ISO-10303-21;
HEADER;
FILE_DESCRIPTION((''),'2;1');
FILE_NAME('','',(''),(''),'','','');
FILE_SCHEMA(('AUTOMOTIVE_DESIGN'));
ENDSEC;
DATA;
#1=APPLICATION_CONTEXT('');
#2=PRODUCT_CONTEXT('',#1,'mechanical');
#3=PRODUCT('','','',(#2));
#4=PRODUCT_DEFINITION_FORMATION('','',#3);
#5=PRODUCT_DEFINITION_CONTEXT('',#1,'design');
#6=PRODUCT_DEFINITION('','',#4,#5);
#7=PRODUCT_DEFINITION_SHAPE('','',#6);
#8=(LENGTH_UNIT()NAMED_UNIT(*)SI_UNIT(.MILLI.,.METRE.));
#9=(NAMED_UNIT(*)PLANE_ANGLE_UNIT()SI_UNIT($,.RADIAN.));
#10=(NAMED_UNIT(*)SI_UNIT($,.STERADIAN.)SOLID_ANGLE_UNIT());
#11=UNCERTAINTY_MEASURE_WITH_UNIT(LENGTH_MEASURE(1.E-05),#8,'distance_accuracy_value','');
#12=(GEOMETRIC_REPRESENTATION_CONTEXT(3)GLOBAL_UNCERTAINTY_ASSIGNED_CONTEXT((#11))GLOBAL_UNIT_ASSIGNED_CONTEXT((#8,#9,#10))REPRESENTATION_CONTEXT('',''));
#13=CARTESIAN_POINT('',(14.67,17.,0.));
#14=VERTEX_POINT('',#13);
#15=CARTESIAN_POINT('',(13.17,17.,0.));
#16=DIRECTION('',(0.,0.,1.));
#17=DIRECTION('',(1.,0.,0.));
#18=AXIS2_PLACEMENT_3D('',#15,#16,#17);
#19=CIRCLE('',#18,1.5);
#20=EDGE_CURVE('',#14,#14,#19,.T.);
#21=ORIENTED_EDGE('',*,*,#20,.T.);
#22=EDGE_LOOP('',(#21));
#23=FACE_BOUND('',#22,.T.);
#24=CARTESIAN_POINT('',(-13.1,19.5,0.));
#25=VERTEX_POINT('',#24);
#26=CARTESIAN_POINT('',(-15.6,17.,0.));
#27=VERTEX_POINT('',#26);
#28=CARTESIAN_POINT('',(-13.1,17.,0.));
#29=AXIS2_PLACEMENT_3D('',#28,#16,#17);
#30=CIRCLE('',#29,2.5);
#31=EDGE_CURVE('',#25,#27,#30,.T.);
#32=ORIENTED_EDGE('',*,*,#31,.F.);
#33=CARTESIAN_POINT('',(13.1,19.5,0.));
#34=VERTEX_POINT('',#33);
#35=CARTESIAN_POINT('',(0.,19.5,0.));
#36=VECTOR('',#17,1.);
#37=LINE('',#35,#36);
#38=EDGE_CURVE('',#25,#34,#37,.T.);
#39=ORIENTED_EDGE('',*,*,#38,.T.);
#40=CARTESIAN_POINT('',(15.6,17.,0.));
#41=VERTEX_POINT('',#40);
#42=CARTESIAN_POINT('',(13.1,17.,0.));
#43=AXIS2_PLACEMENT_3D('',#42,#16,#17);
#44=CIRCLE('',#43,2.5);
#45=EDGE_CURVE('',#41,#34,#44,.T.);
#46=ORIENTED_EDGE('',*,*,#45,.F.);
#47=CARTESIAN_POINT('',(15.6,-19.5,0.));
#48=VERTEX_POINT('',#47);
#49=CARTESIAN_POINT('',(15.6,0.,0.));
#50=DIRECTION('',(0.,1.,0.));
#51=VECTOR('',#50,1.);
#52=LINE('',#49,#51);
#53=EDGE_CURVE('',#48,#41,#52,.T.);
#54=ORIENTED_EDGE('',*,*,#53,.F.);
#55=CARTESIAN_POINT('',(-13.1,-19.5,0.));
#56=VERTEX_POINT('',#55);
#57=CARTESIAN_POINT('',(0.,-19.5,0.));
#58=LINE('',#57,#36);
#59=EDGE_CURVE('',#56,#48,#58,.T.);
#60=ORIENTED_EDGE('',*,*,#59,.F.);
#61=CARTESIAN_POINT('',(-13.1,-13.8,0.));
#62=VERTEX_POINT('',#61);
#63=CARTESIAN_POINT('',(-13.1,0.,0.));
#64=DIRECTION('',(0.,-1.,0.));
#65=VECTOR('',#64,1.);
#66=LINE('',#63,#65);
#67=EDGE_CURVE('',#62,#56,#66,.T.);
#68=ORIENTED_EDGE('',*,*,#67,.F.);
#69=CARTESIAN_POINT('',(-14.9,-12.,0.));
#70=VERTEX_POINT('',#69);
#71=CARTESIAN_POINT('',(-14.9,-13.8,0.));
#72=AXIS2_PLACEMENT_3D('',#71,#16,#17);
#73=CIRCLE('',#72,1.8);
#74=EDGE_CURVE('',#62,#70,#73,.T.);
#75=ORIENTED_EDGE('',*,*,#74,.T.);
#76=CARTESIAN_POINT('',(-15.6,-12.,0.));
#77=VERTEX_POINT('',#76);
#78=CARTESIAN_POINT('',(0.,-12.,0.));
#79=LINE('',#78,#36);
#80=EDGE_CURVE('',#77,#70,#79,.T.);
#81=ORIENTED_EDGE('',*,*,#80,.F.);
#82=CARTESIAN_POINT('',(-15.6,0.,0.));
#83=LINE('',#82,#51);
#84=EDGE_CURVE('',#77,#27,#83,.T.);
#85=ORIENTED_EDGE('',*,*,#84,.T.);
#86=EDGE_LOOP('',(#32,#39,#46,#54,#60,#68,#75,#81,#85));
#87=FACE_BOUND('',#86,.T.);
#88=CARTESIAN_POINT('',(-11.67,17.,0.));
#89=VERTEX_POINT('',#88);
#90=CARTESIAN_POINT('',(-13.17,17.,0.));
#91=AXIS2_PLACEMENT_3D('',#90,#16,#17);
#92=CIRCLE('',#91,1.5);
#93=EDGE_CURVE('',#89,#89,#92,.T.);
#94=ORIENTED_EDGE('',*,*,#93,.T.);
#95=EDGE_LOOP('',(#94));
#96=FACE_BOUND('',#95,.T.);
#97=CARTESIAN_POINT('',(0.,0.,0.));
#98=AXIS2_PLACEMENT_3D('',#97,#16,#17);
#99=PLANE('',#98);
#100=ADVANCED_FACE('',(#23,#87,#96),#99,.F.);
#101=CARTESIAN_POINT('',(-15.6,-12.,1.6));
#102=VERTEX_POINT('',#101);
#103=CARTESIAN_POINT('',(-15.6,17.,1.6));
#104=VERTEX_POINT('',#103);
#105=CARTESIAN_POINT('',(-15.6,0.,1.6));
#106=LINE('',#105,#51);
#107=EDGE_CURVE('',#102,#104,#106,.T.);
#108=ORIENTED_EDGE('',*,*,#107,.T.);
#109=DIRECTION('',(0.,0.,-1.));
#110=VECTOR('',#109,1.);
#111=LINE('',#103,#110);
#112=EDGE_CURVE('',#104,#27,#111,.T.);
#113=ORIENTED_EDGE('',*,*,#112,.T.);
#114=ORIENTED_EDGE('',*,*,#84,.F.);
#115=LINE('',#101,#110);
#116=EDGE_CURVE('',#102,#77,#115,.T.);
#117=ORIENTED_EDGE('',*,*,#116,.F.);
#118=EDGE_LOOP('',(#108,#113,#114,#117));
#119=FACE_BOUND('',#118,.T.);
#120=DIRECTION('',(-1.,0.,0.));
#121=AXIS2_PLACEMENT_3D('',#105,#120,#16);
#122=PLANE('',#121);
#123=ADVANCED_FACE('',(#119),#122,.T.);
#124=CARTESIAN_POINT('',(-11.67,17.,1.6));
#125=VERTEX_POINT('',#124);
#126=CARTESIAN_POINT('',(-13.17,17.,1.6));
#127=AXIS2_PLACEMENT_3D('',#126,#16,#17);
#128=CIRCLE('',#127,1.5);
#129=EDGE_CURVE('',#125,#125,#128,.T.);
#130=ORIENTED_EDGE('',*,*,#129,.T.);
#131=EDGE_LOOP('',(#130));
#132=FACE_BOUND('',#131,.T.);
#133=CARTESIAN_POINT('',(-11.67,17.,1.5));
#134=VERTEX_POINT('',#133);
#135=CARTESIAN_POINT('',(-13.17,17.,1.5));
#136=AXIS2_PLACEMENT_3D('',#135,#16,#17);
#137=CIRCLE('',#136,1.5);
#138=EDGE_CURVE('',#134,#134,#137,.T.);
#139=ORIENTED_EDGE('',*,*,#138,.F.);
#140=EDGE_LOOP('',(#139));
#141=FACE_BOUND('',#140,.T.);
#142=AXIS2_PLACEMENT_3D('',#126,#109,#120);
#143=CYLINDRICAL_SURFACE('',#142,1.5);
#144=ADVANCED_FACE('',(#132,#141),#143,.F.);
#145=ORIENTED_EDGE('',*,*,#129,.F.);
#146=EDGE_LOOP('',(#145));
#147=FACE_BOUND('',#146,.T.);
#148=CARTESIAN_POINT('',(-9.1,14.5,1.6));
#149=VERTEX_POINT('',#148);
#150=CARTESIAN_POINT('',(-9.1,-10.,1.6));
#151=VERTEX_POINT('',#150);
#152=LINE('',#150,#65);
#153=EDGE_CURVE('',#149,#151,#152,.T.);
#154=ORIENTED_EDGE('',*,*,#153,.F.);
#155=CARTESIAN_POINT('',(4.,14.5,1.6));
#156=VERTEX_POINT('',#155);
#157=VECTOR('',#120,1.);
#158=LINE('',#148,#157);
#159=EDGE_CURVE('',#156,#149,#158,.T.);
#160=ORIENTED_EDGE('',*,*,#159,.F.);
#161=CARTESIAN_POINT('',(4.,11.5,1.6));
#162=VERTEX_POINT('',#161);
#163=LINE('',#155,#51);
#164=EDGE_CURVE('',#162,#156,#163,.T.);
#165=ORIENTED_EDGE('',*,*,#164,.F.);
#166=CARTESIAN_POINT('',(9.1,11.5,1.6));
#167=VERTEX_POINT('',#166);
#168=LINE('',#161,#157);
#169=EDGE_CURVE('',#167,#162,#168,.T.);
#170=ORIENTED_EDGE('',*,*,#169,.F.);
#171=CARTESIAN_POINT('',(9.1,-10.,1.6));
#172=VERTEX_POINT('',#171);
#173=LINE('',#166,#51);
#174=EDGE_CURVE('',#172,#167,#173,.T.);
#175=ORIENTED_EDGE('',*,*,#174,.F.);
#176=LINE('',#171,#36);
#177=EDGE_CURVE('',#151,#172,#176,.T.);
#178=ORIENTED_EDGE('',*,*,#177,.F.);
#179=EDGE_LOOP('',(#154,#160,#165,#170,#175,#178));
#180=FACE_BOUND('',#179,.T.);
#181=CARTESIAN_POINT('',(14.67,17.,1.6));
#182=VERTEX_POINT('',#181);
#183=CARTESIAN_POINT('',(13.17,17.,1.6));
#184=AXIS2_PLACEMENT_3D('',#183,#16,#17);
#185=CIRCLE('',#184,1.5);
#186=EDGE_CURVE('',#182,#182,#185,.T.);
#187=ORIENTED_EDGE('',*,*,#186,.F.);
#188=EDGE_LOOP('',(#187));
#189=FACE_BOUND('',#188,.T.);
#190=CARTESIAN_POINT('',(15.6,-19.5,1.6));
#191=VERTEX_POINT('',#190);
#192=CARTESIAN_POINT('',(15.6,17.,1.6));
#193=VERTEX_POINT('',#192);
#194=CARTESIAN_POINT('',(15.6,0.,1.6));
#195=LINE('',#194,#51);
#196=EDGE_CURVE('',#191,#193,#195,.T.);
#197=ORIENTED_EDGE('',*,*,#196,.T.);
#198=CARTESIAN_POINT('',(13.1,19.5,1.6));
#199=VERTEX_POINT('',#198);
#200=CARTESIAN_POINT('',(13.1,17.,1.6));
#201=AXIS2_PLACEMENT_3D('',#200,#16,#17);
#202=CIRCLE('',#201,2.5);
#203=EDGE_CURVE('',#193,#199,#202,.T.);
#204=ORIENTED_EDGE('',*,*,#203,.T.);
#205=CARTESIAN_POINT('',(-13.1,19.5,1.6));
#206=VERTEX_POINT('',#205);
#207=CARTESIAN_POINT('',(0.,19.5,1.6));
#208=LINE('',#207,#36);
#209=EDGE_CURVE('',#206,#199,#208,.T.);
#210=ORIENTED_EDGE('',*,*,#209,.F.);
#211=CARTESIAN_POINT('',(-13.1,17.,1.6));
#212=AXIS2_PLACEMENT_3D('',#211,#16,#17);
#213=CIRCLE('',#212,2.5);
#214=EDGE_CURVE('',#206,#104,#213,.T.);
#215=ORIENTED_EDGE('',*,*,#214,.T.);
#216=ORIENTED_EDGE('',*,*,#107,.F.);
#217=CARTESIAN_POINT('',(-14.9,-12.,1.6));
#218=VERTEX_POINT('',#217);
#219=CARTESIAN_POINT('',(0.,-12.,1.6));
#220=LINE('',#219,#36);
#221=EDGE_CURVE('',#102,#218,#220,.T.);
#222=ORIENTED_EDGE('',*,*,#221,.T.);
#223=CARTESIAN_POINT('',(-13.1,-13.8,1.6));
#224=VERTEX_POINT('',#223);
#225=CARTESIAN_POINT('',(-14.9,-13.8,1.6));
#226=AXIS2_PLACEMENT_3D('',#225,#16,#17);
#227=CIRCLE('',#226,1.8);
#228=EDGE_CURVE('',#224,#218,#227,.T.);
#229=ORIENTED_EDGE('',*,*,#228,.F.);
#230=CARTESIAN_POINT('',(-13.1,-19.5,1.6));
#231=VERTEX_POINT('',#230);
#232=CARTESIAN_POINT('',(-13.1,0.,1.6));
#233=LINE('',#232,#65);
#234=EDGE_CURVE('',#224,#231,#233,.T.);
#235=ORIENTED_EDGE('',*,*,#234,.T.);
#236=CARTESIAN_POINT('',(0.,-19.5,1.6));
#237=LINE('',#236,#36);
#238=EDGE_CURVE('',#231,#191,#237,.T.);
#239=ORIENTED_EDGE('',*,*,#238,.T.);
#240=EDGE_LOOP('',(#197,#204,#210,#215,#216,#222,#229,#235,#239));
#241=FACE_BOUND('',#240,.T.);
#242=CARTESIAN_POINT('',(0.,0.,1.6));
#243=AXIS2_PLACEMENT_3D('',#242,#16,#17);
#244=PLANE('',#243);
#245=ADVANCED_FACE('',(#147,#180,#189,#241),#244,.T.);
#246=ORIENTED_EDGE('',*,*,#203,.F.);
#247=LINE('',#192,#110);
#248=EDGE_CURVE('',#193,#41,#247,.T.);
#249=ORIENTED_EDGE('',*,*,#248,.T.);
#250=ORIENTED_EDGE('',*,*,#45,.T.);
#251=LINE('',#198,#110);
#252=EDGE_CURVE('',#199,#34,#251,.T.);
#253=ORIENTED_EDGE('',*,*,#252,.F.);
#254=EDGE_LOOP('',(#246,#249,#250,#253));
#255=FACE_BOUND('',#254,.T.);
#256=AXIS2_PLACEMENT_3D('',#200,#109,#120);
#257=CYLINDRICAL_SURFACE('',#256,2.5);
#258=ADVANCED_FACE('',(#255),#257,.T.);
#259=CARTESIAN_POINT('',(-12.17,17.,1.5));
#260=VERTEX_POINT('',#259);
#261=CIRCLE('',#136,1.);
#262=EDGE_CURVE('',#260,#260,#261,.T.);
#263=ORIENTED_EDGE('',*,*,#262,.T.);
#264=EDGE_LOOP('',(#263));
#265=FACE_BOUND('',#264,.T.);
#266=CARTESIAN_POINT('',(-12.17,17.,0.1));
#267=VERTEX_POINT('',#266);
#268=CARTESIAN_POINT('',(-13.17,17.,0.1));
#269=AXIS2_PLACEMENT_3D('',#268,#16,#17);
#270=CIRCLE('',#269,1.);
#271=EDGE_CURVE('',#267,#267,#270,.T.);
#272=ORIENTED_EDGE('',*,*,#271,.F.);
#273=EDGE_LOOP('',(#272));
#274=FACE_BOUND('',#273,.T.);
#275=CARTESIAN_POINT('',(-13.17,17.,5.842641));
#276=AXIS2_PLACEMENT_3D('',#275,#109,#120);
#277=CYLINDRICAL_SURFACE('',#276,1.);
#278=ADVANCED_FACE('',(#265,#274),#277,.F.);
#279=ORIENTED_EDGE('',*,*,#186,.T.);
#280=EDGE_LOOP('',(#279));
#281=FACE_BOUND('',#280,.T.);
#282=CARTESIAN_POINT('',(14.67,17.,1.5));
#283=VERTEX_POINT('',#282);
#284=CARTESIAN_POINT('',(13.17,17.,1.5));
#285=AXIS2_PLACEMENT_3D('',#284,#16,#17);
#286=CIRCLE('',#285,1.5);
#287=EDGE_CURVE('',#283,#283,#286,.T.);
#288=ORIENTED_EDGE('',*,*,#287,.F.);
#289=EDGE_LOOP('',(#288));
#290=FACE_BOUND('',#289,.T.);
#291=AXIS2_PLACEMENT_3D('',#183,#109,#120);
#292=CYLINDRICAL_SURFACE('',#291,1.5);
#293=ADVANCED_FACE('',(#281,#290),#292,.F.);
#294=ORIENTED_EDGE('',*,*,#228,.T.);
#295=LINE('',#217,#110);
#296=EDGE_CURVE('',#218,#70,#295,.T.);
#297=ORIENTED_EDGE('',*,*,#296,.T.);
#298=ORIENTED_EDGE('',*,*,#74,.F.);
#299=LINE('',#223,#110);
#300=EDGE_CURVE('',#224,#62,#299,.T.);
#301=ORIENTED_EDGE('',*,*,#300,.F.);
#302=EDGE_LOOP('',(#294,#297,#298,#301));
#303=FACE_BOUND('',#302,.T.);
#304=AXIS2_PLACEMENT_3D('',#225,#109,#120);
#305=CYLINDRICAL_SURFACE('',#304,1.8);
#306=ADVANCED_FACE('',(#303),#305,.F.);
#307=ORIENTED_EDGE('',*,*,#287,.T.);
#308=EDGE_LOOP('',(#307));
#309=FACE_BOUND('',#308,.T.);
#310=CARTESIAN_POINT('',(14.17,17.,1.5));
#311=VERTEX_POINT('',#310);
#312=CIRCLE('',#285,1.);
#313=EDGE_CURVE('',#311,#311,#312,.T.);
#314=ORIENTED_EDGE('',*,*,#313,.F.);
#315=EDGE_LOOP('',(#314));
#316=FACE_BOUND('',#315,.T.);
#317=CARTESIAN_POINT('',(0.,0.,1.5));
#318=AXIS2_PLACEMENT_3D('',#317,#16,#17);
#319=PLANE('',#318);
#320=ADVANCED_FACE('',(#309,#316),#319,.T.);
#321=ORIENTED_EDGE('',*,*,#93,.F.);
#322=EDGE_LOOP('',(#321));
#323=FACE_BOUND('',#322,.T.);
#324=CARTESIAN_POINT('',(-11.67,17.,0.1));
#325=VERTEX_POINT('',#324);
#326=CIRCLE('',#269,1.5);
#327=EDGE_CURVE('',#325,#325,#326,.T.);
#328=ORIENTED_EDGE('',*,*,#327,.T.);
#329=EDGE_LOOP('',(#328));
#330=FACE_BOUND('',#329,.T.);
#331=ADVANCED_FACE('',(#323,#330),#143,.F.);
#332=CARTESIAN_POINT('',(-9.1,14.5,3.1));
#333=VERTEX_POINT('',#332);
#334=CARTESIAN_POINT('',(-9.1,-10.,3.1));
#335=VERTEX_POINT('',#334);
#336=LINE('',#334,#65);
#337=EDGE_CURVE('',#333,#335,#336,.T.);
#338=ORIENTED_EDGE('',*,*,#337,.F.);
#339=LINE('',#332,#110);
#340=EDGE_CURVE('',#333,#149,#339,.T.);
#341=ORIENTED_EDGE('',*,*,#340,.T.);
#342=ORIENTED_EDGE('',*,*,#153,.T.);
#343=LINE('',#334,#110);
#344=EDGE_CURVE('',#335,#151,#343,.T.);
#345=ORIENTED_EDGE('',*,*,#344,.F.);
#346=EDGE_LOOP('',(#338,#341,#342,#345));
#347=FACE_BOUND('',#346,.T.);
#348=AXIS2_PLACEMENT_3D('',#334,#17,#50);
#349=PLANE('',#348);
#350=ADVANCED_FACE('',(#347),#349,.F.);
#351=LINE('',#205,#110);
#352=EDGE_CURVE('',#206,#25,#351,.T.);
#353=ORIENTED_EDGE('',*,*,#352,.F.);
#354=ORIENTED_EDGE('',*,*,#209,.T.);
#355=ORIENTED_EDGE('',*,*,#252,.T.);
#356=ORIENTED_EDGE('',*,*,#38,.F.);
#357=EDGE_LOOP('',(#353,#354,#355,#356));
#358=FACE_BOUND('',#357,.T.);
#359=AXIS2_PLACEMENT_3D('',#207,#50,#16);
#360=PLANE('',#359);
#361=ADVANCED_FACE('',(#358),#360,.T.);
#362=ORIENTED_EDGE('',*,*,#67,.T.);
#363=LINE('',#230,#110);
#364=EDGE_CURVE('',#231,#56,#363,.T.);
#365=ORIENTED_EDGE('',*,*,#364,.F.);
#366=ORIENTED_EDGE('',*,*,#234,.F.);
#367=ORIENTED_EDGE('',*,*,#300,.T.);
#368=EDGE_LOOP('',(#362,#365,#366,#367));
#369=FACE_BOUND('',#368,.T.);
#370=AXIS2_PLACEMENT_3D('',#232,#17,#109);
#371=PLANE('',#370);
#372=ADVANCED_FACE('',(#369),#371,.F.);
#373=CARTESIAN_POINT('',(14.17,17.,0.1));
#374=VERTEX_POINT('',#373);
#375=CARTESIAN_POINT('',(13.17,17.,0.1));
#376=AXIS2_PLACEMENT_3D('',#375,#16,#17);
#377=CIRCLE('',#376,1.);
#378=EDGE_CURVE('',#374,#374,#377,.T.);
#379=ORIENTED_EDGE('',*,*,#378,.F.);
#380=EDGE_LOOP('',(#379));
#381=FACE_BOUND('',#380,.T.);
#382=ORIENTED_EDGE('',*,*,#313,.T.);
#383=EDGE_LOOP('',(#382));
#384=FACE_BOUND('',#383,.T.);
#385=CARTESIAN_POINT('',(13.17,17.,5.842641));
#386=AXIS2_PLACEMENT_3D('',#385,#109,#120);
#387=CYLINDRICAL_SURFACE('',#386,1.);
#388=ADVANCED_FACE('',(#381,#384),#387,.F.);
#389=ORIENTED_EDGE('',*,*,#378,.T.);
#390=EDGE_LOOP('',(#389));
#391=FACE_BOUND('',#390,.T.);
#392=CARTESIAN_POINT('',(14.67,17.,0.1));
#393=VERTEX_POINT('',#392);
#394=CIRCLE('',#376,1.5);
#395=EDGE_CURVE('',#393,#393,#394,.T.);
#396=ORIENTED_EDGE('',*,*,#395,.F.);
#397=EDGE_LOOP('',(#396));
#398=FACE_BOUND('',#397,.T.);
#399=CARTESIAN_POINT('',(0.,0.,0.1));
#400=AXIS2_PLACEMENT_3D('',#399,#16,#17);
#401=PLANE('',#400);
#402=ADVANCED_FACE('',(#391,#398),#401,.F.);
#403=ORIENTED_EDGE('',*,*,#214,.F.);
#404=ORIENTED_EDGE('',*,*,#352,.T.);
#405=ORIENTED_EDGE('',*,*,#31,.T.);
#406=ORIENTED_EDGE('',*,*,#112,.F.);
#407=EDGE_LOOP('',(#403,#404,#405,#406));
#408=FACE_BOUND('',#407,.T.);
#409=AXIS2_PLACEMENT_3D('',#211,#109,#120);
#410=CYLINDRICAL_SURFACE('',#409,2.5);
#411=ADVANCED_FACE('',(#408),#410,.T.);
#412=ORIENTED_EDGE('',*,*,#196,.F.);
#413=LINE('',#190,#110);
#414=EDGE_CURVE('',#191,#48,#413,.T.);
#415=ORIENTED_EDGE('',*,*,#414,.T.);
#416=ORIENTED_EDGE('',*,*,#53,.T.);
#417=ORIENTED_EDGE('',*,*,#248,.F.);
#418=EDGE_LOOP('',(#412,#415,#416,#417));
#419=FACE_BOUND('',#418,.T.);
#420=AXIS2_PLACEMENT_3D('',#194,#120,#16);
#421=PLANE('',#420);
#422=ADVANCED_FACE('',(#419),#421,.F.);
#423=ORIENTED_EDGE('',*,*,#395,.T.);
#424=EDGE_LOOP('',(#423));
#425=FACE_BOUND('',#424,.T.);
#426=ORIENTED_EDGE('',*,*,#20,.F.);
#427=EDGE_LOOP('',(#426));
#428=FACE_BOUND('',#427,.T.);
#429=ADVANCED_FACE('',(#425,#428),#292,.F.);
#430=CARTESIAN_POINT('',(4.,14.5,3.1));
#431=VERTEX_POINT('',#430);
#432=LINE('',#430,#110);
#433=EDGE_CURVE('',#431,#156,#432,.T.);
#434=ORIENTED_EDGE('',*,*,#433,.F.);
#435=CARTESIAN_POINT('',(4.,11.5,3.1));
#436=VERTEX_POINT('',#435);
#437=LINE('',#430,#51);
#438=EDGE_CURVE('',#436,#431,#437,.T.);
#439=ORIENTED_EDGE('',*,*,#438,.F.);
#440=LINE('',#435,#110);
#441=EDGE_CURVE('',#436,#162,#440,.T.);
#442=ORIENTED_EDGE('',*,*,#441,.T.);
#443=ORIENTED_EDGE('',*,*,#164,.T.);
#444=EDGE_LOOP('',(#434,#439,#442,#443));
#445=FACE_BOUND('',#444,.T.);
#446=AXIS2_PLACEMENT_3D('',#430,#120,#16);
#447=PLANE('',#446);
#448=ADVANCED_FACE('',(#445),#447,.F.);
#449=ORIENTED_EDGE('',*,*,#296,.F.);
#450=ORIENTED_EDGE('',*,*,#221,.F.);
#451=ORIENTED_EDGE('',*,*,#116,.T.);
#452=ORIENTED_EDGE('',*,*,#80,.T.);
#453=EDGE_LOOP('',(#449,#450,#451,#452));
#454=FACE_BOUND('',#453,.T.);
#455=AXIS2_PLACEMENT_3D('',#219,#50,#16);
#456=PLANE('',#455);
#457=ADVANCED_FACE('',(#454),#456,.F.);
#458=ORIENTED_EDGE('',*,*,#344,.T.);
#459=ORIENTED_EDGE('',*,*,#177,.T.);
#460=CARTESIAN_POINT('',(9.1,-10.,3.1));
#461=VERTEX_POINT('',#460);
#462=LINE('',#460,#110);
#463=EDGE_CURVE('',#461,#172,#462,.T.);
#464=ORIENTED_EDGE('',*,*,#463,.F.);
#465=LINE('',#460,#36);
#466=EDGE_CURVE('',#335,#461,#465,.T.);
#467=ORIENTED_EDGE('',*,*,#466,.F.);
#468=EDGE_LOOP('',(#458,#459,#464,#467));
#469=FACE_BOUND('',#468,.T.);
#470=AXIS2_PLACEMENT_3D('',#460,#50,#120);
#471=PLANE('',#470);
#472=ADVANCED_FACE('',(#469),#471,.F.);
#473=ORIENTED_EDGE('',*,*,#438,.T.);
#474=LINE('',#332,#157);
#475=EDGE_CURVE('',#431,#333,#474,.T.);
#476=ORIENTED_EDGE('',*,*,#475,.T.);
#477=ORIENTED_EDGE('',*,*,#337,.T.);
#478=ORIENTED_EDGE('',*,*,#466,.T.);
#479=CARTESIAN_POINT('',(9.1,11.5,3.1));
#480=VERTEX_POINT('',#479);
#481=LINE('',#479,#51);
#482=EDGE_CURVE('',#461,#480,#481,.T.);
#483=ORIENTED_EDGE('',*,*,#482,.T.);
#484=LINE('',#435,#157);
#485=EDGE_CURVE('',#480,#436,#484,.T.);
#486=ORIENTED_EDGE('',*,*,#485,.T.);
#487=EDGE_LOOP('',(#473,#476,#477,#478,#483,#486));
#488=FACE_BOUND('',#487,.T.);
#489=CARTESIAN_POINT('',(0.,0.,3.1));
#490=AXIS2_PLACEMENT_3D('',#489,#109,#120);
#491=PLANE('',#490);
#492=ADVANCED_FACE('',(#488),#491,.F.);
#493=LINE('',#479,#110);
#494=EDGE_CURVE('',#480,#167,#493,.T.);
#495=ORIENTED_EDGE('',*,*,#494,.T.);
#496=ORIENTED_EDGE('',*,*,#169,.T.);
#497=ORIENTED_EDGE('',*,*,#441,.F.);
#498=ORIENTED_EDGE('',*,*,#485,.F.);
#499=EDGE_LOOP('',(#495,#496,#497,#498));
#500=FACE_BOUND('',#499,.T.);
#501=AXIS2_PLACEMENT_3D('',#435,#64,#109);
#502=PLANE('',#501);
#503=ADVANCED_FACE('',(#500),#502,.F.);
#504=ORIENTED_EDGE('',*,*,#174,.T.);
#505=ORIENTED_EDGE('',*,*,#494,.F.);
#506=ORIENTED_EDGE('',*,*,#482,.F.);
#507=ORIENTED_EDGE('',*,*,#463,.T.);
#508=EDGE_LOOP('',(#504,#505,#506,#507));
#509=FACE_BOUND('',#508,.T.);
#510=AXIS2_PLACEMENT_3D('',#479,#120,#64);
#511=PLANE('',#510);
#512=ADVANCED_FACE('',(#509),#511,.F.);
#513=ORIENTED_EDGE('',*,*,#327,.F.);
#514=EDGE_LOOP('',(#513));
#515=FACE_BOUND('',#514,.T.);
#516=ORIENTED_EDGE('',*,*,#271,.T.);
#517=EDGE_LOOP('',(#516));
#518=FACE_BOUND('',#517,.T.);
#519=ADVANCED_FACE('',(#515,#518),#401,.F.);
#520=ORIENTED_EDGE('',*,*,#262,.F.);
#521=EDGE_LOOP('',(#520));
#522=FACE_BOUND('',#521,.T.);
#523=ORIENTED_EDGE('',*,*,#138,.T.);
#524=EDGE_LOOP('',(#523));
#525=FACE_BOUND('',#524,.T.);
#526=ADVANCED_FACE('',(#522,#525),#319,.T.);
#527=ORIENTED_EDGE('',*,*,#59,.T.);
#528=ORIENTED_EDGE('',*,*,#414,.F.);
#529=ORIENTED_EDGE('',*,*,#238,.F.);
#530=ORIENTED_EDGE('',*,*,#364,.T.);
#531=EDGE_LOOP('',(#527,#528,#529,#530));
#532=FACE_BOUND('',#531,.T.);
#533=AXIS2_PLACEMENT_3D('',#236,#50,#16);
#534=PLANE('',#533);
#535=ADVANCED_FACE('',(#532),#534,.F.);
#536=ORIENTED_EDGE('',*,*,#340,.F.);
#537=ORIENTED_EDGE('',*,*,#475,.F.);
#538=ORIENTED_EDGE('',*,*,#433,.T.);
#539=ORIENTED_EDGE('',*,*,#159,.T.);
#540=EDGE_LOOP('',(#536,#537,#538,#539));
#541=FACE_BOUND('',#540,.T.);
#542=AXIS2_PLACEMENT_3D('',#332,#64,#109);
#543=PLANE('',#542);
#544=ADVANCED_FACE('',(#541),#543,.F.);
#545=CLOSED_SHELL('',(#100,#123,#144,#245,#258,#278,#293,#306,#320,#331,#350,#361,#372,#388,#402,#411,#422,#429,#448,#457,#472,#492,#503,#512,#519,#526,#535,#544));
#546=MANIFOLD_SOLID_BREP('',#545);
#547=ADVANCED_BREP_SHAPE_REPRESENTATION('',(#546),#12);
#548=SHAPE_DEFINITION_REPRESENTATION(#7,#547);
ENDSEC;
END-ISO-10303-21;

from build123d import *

# Parameters (mm, degrees)
SKETCH1_R           = 1.5
BOSS_EXTRUDE1_DEPTH = 1.6
BOSS_EXTRUDE2_START = 0.1
SKETCH1_5_R         = 1.5
SKETCH1_5_R_2       = 1
BOSS_EXTRUDE2_DEPTH = 1.4
BOSS_EXTRUDE3_DEPTH = 1.5


with BuildPart() as part:
    # Sketch1 → Boss-Extrude1 (new body)
    with BuildSketch(Plane.XY):
        with BuildLine():
            Line((-15.6, 17), (-15.6, -12))
            Line((-15.6, -12), (-14.9, -12))
            ThreePointArc((-14.9, -12), (-13.627207794, -12.527207794), (-13.1, -13.8))
            Line((-13.1, -13.8), (-13.1, -19.5))
            Line((-13.1, -19.5), (15.6, -19.5))
            Line((15.6, -19.5), (15.6, 17))
            ThreePointArc((15.6, 17), (14.867766953, 18.767766953), (13.1, 19.5))
            Line((13.1, 19.5), (-13.1, 19.5))
            ThreePointArc((-13.1, 19.5), (-14.867766953, 18.767766953), (-15.6, 17))
        make_face()
        with Locations((-13.17, 17)):
            Circle(SKETCH1_R, mode=Mode.SUBTRACT)
        with Locations((13.17, 17)):
            Circle(SKETCH1_R, mode=Mode.SUBTRACT)
    extrude(amount=BOSS_EXTRUDE1_DEPTH)

    # Sketch1<5> → Boss-Extrude2 (add)
    with BuildSketch(Plane.XY.offset(BOSS_EXTRUDE2_START)):
        with Locations((13.17, 17)):
            Circle(SKETCH1_5_R)
        with Locations((13.17, 17)):
            Circle(SKETCH1_5_R_2, mode=Mode.SUBTRACT)
        with Locations((-13.17, 17)):
            Circle(SKETCH1_5_R)
        with Locations((-13.17, 17)):
            Circle(SKETCH1_5_R_2, mode=Mode.SUBTRACT)
    extrude(amount=BOSS_EXTRUDE2_DEPTH)

    # Sketch2 → Boss-Extrude3 (add)
    with BuildSketch(Plane.XY.offset(1.6)):
        Polygon((-9.1, 14.5), (4, 14.5), (4, 11.5), (9.1, 11.5), (9.1, -10), (-9.1, -10), align=None)
    extrude(amount=BOSS_EXTRUDE3_DEPTH)


solid = part.part
